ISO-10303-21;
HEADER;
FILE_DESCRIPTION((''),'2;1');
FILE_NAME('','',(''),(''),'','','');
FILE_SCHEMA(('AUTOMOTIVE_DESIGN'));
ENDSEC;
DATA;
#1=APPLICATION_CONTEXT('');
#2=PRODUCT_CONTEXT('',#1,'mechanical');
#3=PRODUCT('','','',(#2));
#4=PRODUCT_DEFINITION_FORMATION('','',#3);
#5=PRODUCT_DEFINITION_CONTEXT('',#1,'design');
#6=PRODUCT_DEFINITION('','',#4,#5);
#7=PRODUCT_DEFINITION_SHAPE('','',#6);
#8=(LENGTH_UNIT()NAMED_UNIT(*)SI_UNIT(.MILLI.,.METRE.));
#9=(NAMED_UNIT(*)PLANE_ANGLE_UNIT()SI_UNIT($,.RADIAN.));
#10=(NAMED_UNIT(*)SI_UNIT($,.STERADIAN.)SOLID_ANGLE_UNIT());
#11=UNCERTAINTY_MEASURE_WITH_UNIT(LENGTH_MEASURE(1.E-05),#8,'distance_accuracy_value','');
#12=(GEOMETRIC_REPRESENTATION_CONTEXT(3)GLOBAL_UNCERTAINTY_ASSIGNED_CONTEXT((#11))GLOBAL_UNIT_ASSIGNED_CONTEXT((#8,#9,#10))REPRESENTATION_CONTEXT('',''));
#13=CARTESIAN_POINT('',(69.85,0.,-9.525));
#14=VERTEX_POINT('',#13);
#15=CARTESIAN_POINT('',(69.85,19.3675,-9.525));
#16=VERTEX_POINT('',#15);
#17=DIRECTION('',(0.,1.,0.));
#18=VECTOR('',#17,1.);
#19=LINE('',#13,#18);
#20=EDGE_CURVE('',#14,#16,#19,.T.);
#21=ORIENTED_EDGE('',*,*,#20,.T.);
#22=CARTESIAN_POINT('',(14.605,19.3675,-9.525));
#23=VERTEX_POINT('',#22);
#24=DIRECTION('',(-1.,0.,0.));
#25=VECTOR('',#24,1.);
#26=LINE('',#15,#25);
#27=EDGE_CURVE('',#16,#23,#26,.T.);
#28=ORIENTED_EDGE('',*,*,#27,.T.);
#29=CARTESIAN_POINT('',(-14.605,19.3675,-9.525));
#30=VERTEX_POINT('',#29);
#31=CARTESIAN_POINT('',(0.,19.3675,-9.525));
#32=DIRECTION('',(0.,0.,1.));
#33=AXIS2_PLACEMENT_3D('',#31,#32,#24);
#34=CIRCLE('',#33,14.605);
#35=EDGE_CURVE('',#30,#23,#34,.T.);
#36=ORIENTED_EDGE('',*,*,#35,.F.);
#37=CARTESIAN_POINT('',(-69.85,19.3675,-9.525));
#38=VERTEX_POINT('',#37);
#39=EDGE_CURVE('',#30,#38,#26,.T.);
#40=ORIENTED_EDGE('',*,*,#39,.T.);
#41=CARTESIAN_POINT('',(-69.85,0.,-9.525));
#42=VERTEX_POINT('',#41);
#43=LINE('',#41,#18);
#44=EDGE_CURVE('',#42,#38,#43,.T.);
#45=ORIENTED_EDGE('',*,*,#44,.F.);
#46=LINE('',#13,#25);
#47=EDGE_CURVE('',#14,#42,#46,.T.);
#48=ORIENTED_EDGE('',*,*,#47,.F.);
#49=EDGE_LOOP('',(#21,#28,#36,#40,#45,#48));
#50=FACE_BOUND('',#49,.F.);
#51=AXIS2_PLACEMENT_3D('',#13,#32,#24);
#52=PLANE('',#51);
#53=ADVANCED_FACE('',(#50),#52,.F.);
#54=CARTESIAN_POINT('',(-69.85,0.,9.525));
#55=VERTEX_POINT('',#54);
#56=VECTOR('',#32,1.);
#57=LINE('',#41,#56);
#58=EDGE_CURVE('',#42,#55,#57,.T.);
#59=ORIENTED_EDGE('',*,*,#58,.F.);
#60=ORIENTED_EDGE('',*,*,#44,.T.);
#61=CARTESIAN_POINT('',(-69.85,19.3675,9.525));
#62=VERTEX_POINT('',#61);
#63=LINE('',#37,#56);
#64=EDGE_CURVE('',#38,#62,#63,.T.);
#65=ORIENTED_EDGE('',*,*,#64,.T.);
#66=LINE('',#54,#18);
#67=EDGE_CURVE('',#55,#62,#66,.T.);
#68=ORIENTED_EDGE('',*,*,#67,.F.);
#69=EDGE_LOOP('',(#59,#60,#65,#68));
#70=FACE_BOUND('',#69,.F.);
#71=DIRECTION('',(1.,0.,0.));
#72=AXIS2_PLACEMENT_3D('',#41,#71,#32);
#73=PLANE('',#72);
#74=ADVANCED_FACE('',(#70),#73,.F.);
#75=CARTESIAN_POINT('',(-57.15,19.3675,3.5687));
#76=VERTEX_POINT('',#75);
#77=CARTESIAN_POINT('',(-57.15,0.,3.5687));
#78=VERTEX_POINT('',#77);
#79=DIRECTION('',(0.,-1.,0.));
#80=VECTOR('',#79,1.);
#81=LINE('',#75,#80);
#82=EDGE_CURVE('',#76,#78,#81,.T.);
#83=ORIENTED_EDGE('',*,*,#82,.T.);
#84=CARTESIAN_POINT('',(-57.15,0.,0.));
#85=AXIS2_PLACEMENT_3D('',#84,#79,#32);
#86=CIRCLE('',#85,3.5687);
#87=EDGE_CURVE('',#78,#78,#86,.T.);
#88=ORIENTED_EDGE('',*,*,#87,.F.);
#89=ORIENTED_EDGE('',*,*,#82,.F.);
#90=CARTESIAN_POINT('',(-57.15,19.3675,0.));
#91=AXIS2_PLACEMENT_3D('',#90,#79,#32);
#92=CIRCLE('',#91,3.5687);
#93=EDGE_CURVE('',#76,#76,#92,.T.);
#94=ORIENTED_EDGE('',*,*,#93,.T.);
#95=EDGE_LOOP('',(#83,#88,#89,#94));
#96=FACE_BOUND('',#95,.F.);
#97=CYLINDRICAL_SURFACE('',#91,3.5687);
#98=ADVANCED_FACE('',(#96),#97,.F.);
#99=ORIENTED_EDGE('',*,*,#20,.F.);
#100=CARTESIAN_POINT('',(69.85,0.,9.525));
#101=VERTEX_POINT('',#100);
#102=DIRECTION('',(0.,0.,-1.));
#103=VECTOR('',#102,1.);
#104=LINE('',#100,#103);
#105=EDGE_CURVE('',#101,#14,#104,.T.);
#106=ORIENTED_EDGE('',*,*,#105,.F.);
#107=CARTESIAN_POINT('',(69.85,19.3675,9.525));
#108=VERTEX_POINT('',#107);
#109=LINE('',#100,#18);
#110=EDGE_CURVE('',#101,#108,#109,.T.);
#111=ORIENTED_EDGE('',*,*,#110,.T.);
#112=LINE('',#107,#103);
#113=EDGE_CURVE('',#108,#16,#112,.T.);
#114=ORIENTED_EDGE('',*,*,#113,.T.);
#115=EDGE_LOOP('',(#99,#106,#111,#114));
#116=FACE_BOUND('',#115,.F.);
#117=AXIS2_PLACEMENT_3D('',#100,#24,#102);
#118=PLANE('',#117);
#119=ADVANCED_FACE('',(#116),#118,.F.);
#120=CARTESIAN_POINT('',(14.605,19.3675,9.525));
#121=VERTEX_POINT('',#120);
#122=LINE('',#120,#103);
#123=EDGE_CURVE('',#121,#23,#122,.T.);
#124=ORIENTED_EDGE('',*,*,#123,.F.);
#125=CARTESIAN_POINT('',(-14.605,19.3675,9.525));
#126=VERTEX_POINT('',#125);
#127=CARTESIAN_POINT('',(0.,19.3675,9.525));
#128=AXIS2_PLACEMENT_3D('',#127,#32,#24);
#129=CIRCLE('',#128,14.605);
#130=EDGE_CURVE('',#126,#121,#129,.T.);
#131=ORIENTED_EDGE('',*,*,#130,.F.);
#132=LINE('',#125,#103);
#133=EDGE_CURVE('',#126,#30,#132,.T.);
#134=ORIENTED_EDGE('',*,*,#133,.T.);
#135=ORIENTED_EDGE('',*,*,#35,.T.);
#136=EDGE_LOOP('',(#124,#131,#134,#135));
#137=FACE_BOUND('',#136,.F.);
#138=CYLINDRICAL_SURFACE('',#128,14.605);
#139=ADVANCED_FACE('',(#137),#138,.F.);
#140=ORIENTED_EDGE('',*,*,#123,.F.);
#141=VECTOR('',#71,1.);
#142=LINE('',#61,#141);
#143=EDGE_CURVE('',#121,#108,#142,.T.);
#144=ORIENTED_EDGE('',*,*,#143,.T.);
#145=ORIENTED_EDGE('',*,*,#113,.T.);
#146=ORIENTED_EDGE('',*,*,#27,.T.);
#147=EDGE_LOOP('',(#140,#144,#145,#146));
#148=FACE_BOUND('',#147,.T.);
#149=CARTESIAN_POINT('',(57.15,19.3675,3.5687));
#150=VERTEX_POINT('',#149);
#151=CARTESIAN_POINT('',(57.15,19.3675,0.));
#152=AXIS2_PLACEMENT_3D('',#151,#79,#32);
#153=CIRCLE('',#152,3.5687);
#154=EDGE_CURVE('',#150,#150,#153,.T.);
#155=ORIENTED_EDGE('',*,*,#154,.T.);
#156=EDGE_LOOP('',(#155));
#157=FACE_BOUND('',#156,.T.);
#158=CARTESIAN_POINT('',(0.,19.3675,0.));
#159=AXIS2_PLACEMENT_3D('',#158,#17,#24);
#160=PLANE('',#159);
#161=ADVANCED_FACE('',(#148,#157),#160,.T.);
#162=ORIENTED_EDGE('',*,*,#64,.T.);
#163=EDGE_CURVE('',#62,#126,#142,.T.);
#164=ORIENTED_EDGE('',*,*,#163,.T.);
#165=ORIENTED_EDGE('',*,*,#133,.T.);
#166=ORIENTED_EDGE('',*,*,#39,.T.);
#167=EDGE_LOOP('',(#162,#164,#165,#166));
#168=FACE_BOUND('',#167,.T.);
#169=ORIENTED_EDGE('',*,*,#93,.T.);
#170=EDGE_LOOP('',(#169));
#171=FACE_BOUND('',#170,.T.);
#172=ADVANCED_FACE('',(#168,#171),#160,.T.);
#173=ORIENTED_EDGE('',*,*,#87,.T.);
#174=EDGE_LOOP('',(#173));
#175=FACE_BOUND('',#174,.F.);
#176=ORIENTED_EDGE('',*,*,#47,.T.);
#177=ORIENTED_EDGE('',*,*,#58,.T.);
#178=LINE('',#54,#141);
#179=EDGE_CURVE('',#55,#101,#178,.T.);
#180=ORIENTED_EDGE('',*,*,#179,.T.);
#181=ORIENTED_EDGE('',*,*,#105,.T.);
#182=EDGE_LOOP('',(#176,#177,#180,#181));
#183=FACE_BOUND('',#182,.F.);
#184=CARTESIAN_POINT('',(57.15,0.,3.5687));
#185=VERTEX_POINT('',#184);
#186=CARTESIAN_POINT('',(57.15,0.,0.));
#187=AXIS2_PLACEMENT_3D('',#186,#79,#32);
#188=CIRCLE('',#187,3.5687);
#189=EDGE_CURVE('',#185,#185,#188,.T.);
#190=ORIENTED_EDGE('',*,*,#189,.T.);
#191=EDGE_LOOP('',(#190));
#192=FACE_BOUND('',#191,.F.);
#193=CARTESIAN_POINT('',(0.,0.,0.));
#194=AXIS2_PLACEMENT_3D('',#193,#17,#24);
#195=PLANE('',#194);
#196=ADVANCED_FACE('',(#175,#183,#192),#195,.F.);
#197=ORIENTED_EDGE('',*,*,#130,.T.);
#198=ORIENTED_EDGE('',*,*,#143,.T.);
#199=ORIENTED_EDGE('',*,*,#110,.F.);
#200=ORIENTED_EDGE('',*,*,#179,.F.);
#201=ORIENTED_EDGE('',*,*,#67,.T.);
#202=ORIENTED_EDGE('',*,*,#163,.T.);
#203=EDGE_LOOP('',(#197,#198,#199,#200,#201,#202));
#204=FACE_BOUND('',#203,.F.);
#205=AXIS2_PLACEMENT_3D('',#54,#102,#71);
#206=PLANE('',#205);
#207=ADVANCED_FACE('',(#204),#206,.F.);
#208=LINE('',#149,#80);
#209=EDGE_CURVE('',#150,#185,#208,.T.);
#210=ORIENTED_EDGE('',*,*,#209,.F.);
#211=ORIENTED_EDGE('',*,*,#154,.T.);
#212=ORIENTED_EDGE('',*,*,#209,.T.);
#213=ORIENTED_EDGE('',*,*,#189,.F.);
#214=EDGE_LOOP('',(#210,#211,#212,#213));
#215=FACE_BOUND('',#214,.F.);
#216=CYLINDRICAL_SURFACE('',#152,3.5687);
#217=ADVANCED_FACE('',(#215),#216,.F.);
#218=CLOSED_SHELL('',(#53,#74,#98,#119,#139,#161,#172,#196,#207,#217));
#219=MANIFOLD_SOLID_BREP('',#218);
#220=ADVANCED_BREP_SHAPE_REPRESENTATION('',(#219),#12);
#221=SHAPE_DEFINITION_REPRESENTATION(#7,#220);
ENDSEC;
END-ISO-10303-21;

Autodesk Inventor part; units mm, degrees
ref_plane "YZ Plane" through (0, 0, 0) normal (1, 0, 0) x (0, 1, 0)
ref_plane "XZ Plane" through (0, 0, 0) normal (0, 1, 0) x (-1, 0, 0)
ref_plane "XY Plane" through (0, 0, 0) normal (0, 0, 1) x (1, 0, 0)
sketch "Sketch1" plane through (0, 0, 0) normal (0, 1, 0) x (-1, 0, 0)
  line L0 (69.85, 9.525) -> (-69.85, 9.525)
  line L1 (-69.85, 9.525) -> (-69.85, -9.525)
  line L2 (-69.85, -9.525) -> (69.85, -9.525)
  line L3 (69.85, -9.525) -> (69.85, 9.525)
  line L4 (69.85, 9.525) -> (-69.85, -9.525) construction
  line L5 (-69.85, 9.525) -> (69.85, -9.525) construction
  point P0 (0, 0)
  dimension "d0" = 139.7
  dimension "d1" = 19.05
extrude "Extrusion1" add sketch "Sketch1" along normal blind 19.3675
sketch "Sketch2" plane through (-69.85, 0, 9.525) normal (0, 0, 1) x (1, 0, 0)
  line L0 (0, 19.3675) -> (139.7, 19.3675) projected
  arc A0 (55.245, 19.3675) -> (84.455, 19.3675) centre (69.85, 19.3675) ccw
  point P0 (69.85, 0)
  dimension "d4" = 29.21
extrude "Extrusion2" cut sketch "Sketch2" against normal through all
sketch "Sketch3" plane through (0, 19.3675, 0) normal (0, 1, 0) x (1, 0, 0)
  line L0 (-69.85, -9.525) -> (-14.605, -9.525) projected
  line L1 (-69.85, 9.525) -> (-69.85, -9.525) projected
  line L2 (-14.605, 9.525) -> (-69.85, 9.525) projected
  line L3 (69.85, -9.525) -> (69.85, 9.525) projected
  line L4 (69.85, 9.525) -> (14.605, 9.525) projected
  line L5 (14.605, -9.525) -> (69.85, -9.525) projected
  point P0 (0, 0)
  point P1 (-57.15, 0)
  point P2 (57.15, 0)
  dimension "d7" = 9.525
  dimension "d8" = 12.7
  dimension "d13" = 9.525
  dimension "d14" = 12.7
hole "Hole1" at (-57.15, 19.3675, 0) at (57.15, 19.3675, 0) direction (0, -1, 0) diameter 7.1374 end through all clearance for "Hex Head Bolt" size "1/4" standard "Ansi Unified Screw Threads"
properties part number "BaseOfSwallowWatererV01"
